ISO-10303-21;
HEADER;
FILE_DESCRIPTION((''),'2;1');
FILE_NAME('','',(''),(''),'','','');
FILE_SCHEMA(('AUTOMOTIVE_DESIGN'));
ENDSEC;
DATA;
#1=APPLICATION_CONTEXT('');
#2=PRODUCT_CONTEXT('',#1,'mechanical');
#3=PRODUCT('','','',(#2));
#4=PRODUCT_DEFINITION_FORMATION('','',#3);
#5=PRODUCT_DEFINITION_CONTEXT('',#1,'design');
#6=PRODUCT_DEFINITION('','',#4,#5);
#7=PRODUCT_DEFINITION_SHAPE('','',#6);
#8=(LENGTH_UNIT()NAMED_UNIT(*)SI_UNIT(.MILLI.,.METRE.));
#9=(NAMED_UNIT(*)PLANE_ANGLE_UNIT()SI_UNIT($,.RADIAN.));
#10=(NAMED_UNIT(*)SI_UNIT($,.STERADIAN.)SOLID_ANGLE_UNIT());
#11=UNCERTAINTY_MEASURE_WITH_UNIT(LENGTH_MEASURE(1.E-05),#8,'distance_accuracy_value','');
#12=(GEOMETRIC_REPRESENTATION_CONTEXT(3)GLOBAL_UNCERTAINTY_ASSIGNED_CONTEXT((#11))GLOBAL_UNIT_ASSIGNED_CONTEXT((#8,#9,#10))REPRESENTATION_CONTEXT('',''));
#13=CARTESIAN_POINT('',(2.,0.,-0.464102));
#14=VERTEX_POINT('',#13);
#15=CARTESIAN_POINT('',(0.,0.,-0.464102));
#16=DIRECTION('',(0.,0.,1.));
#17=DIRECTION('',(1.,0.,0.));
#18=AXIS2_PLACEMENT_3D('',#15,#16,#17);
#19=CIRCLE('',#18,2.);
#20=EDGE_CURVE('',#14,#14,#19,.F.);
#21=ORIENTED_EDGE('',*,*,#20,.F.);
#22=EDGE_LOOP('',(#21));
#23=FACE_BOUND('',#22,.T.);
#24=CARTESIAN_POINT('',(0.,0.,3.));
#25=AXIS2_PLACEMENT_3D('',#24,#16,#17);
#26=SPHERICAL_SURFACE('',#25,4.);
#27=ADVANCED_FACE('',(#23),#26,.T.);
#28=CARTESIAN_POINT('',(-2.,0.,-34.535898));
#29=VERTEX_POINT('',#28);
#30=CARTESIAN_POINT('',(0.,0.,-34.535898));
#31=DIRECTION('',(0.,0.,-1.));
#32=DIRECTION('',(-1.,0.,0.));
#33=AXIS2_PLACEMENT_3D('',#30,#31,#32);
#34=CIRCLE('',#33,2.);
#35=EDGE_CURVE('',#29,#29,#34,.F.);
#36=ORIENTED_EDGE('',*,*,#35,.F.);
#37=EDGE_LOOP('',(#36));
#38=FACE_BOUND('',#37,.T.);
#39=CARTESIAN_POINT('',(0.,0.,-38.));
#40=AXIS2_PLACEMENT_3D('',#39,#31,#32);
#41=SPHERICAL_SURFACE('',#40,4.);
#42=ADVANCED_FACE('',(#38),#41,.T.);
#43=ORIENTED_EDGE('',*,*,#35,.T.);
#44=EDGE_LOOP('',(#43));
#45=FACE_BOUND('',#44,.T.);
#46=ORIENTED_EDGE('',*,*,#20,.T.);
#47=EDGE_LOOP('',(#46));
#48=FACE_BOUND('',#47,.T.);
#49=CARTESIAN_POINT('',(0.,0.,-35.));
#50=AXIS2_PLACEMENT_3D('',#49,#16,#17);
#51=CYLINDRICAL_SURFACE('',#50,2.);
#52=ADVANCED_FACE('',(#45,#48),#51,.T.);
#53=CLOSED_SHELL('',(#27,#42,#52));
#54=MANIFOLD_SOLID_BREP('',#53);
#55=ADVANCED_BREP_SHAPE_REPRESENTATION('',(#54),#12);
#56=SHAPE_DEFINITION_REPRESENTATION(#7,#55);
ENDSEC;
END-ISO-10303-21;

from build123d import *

# Parameters (mm, degrees)
SKETCH1_R           = 2
BOSS_EXTRUDE1_DEPTH = 35


with BuildPart() as part:
    # Sketch1 → Boss-Extrude1 (new body)
    with BuildSketch(Plane.XY):
        Circle(SKETCH1_R)
    extrude(amount=-BOSS_EXTRUDE1_DEPTH)

    # Sketch2 → Revolve1 (revolve)
    with BuildSketch(Plane.XY.offset(3)):
        with BuildLine():
            Line((0, 4), (0, -4))
            ThreePointArc((0, -4), (4, 0), (0, 4))
        make_face()
    revolve1 = revolve(axis=Axis((0, 4, 3), (0, -1, 0)))

    # Mirror1: Revolve1 across plane
    add(revolve1.mirror(Plane.XY.offset(-17.5)))


solid = part.part
